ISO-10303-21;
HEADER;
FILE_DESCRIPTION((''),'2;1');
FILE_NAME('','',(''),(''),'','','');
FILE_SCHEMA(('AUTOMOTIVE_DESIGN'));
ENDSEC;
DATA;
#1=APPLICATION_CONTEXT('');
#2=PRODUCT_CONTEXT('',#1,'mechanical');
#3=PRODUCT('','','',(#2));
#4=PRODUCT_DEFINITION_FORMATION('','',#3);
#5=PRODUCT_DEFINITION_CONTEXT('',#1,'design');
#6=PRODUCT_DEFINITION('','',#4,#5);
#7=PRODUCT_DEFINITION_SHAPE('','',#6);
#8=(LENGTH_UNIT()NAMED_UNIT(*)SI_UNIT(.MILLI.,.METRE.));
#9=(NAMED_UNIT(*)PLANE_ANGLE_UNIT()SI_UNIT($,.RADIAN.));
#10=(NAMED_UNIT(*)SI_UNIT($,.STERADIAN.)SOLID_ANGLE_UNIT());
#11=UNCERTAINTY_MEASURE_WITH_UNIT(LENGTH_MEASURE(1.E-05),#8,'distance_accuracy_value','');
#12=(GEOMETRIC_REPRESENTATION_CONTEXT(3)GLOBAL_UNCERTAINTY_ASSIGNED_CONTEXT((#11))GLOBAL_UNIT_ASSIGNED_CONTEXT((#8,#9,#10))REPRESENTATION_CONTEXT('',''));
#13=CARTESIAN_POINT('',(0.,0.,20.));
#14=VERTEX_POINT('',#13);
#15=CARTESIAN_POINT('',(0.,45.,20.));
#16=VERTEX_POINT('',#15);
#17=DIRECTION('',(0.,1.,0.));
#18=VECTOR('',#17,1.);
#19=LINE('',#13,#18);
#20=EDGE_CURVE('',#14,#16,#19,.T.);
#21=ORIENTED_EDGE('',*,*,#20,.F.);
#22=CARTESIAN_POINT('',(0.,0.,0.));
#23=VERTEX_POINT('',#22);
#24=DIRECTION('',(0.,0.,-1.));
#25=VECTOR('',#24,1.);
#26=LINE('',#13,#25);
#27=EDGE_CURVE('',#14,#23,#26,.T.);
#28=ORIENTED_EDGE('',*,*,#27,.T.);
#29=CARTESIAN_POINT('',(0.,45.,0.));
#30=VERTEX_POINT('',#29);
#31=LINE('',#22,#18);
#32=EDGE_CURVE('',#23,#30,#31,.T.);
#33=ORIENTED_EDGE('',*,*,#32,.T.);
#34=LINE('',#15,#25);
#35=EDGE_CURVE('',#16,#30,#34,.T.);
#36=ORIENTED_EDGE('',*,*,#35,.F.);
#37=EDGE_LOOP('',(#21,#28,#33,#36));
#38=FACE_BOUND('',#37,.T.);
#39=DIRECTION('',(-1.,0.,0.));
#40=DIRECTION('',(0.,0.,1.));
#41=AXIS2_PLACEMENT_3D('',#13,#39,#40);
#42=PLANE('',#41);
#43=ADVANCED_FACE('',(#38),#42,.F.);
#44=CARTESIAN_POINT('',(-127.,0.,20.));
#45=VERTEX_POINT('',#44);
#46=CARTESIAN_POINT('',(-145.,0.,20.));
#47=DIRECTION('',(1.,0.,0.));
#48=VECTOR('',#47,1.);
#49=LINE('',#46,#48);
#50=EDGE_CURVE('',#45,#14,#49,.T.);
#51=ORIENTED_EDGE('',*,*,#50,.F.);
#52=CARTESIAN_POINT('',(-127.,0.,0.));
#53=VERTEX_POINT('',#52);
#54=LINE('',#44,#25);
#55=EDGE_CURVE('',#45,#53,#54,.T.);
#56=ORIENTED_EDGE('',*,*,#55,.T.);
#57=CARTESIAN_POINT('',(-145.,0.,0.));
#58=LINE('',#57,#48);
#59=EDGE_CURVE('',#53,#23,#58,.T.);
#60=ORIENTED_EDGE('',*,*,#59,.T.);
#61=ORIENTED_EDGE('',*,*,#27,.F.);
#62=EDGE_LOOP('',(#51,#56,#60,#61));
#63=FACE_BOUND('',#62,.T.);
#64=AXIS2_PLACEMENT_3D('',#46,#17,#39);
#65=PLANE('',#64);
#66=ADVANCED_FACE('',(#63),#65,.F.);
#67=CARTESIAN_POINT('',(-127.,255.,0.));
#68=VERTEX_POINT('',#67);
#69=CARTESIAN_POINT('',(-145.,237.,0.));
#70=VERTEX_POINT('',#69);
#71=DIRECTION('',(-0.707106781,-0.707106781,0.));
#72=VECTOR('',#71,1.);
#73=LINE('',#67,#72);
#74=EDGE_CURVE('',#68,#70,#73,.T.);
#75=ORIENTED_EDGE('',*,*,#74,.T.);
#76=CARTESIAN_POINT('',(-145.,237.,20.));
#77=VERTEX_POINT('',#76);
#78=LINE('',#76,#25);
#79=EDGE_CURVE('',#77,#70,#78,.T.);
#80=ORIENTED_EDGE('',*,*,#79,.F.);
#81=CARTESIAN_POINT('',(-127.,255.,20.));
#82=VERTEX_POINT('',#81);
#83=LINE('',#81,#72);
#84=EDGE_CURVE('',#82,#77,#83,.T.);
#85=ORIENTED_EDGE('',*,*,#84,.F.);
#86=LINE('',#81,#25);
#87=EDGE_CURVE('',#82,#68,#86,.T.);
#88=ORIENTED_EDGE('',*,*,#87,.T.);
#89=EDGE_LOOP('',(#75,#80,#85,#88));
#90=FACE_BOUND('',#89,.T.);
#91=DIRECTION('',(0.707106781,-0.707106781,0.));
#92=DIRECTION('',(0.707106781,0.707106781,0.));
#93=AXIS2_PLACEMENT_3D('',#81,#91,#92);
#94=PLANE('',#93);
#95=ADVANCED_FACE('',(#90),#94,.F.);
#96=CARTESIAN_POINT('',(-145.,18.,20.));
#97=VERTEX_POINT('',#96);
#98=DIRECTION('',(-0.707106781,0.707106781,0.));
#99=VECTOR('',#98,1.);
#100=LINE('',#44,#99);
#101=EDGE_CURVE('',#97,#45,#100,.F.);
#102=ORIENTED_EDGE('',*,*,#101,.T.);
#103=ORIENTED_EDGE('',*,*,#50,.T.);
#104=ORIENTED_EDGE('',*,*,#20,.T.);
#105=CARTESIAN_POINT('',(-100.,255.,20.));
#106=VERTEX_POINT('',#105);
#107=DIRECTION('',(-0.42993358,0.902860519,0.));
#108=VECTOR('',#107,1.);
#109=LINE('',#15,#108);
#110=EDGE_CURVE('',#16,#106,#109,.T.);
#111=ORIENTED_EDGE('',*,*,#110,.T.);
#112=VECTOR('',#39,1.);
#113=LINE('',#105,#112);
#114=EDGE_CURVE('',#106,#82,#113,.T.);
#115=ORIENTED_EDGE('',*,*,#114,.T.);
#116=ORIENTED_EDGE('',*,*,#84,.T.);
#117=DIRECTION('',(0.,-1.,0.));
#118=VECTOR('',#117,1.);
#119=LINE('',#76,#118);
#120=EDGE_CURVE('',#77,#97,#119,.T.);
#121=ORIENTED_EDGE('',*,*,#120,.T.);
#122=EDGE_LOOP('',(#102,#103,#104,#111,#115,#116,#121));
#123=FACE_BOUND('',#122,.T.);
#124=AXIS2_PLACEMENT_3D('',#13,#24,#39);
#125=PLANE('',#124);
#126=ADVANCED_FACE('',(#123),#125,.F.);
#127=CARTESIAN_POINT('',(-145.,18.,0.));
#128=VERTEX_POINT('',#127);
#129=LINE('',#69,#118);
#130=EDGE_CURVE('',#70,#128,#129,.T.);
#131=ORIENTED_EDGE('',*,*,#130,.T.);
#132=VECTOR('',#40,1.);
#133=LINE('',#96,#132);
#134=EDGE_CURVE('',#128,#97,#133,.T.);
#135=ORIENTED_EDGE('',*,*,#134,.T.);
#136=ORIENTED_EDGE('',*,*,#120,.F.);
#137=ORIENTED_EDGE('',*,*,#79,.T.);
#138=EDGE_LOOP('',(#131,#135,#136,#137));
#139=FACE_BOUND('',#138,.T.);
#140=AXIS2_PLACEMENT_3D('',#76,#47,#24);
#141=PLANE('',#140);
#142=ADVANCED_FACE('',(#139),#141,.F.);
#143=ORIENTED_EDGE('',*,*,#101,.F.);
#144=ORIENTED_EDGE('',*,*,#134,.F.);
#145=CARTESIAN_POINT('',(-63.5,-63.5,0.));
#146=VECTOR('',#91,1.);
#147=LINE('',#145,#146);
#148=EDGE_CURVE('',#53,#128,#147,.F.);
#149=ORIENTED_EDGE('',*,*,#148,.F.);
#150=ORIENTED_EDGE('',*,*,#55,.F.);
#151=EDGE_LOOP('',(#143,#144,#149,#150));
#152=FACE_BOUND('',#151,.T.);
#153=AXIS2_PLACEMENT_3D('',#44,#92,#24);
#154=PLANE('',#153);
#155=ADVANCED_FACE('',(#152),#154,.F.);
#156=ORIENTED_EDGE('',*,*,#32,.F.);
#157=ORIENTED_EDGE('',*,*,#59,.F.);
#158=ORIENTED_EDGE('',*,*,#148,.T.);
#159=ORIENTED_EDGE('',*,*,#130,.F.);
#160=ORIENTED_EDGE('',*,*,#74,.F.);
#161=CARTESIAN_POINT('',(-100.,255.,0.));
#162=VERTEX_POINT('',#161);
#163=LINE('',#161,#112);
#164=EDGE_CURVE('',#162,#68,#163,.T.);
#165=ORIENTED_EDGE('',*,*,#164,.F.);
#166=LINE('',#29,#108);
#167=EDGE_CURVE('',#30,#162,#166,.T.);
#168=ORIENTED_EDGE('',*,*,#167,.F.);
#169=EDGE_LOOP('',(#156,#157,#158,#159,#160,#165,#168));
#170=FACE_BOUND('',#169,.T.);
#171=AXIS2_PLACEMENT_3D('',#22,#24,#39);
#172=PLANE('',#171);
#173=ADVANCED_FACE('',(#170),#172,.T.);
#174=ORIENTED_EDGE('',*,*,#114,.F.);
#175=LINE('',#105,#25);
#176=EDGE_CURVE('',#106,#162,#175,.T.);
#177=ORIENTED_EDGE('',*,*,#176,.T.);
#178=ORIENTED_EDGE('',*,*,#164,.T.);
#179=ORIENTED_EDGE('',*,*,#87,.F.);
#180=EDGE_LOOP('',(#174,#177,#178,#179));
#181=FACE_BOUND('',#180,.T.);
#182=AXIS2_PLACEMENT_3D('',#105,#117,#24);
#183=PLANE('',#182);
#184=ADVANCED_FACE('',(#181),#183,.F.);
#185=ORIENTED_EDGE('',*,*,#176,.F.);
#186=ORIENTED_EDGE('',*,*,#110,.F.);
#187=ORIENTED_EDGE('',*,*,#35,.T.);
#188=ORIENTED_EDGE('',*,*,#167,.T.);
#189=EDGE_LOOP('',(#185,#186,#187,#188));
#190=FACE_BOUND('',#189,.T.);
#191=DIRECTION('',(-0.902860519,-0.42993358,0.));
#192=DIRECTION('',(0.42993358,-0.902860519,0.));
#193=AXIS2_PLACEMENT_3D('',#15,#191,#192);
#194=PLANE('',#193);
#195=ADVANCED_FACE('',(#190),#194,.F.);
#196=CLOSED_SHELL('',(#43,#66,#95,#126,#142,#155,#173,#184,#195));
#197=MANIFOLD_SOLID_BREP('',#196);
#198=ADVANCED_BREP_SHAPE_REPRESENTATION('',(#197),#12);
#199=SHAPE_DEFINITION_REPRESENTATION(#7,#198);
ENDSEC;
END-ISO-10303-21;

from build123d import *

# Parameters (mm, degrees)
EXTRUDE_1_DEPTH = 20
CHAMFER_1_SIZE  = 18


with BuildPart() as part:
    # Эскиз1 → Бобышка-Вытянуть1 (new body)
    with BuildSketch(Plane.XY):
        Polygon((0, 0), (0, 45), (-100, 255), (-127, 255), (-145, 237), (-145, 0), align=None)
    extrude(amount=EXTRUDE_1_DEPTH)

    # Фаска1
    chamfer_1_edges = [part.edges().sort_by_distance(p)[0] for p in [
        (-145, 0, 10),
    ]]
    chamfer(chamfer_1_edges, length=CHAMFER_1_SIZE)


solid = part.part
